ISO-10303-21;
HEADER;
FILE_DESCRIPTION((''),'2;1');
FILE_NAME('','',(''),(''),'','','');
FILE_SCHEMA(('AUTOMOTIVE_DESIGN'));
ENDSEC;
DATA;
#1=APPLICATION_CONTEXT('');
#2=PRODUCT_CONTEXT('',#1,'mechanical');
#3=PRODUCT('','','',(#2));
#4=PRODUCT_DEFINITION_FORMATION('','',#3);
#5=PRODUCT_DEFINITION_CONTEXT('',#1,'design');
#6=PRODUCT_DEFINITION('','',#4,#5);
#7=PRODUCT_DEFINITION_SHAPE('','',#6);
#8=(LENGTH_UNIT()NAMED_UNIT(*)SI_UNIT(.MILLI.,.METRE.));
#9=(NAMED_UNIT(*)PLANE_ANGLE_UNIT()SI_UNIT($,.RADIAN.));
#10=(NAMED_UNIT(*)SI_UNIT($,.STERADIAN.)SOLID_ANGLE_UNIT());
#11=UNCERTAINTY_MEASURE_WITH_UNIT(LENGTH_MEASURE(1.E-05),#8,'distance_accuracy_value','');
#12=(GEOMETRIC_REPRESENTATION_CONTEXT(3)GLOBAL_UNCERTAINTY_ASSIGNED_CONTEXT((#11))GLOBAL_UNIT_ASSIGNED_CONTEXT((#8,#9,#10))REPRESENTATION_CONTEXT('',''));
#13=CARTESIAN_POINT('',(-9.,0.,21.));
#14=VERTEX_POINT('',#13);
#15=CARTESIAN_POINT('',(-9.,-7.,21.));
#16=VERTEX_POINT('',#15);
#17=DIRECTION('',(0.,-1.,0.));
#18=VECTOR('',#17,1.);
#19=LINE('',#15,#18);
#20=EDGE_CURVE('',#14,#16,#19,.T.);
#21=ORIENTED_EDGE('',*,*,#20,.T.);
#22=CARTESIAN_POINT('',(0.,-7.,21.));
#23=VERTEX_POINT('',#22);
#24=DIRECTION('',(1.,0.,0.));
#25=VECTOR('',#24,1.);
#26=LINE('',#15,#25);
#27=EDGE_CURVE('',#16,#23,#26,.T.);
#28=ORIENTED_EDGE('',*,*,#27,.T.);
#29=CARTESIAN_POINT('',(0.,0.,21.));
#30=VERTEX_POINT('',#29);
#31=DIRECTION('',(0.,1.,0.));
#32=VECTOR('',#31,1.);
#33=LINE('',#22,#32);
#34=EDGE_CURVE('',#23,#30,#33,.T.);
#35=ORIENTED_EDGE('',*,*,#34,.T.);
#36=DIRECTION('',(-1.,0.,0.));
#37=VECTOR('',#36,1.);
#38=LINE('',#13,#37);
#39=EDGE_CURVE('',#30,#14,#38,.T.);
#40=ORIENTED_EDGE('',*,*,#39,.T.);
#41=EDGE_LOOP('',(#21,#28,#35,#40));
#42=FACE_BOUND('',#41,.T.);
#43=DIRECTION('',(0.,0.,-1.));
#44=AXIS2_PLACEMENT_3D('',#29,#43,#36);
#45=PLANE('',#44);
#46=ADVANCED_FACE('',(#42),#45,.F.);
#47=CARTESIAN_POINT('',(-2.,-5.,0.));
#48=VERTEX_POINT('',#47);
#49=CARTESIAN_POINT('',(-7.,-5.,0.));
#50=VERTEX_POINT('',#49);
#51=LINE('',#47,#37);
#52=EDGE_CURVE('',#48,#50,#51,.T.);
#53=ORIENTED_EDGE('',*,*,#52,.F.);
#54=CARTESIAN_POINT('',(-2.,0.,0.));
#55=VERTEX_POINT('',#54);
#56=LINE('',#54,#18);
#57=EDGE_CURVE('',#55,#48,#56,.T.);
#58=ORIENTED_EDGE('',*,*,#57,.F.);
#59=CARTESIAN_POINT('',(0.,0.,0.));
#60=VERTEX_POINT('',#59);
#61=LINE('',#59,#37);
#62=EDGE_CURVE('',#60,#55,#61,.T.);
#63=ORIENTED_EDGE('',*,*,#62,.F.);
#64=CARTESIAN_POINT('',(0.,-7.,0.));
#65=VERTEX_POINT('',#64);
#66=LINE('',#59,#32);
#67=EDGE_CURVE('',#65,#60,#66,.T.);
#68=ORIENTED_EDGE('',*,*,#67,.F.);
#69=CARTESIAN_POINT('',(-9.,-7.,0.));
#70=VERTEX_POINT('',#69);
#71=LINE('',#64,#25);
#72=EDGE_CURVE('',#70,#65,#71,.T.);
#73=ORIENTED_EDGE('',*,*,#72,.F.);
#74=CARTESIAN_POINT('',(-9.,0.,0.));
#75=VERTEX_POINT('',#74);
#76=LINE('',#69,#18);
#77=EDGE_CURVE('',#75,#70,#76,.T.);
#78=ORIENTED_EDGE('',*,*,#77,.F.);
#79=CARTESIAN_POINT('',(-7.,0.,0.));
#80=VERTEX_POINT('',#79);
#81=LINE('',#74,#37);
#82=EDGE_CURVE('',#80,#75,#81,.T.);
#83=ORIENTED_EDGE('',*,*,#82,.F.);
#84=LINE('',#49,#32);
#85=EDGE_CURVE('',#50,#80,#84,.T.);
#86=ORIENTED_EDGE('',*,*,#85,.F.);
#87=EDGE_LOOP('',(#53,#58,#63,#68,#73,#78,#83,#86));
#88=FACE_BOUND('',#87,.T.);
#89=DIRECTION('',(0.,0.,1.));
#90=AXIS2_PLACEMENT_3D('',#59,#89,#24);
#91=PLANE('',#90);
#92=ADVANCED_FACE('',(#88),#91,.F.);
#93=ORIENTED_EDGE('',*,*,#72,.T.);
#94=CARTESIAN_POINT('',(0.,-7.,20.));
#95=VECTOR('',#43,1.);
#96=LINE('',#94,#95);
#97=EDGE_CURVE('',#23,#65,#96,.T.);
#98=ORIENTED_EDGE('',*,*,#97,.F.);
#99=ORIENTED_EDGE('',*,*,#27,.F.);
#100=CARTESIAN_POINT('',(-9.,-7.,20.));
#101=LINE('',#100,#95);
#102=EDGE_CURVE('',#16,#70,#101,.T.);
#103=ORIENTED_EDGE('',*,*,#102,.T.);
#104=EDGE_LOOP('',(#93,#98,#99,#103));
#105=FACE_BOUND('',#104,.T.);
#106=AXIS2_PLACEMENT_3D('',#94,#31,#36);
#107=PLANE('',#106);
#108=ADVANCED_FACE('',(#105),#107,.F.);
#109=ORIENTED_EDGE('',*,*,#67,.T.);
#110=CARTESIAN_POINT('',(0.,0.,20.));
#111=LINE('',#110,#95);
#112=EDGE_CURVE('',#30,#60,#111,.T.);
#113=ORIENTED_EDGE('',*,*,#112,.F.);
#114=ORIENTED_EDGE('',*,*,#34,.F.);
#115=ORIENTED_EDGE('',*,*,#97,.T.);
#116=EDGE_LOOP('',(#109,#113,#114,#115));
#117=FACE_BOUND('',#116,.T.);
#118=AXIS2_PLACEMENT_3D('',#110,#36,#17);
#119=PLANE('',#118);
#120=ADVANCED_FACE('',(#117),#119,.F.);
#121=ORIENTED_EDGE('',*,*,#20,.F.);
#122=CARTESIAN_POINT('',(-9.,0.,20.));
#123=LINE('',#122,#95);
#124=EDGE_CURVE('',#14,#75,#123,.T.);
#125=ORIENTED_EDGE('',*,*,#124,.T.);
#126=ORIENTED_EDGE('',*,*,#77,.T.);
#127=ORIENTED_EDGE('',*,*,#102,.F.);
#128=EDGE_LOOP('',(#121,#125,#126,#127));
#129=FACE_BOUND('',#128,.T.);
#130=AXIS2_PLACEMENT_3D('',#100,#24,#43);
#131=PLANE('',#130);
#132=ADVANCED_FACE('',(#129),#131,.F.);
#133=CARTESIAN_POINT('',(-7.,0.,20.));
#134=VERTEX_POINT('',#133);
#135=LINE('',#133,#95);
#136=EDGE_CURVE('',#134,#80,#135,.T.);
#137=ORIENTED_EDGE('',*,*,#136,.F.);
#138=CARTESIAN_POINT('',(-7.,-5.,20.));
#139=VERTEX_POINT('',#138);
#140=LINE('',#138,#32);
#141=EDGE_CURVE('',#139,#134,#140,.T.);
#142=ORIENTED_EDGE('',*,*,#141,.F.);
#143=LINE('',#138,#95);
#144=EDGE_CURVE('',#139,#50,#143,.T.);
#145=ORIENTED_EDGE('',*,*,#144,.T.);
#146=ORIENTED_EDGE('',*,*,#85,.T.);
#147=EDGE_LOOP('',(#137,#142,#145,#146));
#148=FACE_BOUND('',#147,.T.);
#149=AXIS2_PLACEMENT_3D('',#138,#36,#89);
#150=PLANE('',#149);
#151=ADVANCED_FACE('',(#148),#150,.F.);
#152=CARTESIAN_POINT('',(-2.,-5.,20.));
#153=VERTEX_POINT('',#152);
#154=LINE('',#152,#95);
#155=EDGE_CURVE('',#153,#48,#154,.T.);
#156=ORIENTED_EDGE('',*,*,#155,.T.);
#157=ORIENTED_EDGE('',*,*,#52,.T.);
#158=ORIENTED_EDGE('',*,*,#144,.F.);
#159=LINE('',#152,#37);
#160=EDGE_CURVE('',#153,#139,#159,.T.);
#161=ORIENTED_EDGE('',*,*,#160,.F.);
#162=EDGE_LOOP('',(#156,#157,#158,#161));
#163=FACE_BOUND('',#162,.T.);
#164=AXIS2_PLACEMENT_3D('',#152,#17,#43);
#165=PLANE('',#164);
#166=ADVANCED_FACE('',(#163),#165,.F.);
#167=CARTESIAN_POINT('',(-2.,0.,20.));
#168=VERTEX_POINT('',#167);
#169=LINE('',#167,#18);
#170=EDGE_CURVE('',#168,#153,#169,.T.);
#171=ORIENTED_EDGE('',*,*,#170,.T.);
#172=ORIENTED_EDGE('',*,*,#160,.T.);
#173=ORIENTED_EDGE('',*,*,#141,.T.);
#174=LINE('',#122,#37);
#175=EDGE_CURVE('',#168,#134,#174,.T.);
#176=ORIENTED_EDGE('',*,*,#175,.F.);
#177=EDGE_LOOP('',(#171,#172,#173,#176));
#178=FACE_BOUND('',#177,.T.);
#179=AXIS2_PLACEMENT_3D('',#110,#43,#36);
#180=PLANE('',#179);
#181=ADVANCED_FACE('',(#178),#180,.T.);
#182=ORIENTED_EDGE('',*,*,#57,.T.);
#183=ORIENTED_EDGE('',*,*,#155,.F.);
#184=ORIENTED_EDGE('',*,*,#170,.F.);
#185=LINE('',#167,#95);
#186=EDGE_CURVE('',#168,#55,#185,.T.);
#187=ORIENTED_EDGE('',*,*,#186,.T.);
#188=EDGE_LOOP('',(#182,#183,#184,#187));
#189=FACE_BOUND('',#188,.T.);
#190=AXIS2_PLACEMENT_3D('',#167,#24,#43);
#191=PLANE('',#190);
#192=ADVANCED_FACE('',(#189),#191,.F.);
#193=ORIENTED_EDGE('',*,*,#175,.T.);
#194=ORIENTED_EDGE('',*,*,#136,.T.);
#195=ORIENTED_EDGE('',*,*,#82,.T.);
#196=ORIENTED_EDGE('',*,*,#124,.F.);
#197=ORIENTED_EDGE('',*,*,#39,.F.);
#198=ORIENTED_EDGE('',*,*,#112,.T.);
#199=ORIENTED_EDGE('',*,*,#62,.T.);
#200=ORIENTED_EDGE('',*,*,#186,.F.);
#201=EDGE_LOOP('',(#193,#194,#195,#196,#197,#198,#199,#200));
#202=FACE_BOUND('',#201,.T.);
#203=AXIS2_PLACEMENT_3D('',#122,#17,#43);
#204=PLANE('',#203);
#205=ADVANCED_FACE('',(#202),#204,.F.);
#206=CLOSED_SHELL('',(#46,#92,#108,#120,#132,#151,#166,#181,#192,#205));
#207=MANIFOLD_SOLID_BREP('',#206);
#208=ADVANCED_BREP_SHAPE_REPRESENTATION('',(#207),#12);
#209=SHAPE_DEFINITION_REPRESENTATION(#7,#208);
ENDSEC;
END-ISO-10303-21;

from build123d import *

# Parameters (mm, degrees)
BOSS_EXTRUDE1_DEPTH = 20
SKETCH3_W           = 9
SKETCH3_H           = 7
BOSS_EXTRUDE2_DEPTH = 1


with BuildPart() as part:
    # Sketch1 → Boss-Extrude1 (new body)
    with BuildSketch(Plane.XY):
        Polygon((0, 0), (0, -7), (-9, -7), (-9, 0), (-7, 0), (-7, -5), (-2, -5), (-2, 0), align=None)
    extrude(amount=BOSS_EXTRUDE1_DEPTH)

    # Sketch3 → Boss-Extrude2 (add)
    with BuildSketch(Plane.XY.offset(20)):
        with Locations((-4.5, -3.5)):
            Rectangle(SKETCH3_W, SKETCH3_H)
    extrude(amount=BOSS_EXTRUDE2_DEPTH)


solid = part.part
